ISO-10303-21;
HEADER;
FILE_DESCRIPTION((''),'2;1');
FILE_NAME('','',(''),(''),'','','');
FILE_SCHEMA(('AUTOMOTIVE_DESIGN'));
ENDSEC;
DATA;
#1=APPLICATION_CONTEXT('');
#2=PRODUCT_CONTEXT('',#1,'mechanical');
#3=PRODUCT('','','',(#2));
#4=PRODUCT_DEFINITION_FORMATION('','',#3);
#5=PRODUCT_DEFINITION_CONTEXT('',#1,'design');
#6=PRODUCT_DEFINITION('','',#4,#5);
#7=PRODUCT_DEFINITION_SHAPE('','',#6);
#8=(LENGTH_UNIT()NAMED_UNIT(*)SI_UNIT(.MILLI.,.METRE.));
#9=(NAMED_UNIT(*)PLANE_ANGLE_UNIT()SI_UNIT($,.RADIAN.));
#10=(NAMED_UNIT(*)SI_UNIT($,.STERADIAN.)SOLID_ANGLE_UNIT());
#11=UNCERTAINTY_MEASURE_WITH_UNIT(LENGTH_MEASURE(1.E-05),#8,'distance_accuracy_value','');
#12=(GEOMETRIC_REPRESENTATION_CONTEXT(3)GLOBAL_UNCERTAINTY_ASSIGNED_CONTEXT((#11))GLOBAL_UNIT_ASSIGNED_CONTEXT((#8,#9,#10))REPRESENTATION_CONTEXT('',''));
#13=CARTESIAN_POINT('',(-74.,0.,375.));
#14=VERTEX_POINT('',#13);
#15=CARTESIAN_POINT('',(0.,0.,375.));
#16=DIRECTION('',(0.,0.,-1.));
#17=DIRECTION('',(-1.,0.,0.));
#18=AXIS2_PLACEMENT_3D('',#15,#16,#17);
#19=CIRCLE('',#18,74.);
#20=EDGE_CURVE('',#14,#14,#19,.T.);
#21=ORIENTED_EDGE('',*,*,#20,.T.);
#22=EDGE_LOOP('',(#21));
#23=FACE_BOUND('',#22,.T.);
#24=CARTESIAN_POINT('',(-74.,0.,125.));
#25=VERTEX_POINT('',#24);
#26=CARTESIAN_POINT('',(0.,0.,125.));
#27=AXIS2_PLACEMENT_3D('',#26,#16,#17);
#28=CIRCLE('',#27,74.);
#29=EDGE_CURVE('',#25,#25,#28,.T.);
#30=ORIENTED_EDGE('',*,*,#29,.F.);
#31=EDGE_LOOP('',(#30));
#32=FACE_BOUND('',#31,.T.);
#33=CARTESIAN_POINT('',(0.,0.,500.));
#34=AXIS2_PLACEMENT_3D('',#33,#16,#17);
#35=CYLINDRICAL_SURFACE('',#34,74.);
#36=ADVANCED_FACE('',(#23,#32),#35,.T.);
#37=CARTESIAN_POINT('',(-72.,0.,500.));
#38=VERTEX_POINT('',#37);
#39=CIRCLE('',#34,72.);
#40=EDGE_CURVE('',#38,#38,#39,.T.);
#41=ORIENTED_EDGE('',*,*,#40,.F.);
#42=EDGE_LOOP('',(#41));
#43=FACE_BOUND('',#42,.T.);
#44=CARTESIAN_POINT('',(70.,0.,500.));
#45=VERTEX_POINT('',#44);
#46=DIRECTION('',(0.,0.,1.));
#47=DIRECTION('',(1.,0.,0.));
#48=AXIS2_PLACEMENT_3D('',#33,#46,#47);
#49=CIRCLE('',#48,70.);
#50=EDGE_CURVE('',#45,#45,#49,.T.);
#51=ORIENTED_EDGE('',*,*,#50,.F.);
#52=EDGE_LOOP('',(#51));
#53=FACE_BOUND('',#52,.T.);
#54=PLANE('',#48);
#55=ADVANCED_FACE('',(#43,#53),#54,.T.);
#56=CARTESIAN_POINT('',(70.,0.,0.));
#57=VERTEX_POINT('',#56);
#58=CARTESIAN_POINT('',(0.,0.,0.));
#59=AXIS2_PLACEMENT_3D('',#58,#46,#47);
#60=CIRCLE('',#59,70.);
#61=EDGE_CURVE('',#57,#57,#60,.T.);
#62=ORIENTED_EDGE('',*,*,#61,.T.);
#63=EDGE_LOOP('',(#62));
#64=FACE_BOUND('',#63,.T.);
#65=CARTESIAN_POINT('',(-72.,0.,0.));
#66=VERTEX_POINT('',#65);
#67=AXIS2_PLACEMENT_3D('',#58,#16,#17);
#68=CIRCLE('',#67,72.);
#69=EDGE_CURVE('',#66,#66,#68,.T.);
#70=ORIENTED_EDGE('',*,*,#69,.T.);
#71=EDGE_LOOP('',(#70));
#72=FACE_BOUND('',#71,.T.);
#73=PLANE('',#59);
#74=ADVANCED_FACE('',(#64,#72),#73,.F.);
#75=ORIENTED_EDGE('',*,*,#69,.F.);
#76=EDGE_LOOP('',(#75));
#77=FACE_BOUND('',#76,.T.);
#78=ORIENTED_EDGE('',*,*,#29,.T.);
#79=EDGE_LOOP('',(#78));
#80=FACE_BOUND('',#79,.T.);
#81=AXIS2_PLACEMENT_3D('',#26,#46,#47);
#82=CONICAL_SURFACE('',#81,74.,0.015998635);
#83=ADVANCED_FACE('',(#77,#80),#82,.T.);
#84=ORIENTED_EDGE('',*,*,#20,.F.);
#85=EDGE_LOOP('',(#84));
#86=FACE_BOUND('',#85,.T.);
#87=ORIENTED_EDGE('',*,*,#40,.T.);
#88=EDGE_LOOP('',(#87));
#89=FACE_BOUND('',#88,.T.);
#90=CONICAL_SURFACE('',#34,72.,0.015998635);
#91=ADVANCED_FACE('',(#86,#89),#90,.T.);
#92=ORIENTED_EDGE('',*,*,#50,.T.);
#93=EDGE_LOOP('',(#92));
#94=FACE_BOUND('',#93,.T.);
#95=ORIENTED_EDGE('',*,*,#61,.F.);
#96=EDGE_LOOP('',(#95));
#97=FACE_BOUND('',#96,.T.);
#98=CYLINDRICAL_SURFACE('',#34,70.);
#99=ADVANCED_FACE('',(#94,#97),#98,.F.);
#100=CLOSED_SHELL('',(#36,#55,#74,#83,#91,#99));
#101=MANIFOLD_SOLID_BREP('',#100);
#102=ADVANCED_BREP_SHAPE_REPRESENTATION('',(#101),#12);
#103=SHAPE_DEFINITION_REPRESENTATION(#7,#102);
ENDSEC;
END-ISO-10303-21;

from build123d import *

# Parameters (mm, degrees)
IZIM1_R                     = 74
IZIM1_R_2                   = 70
Y_KSEKLIK_EKSTR_ZYON1_DEPTH = 500


with BuildPart() as part:
    # Çizim1 → Yükseklik-Ekstrüzyon1 (new body)
    with BuildSketch(Plane.XY):
        Circle(IZIM1_R)
        Circle(IZIM1_R_2, mode=Mode.SUBTRACT)
    extrude(amount=Y_KSEKLIK_EKSTR_ZYON1_DEPTH)

    # Çizim2 → Kes-Döndür1 (revolve, cut)
    with BuildSketch(Plane(origin=(0, 0, 0), x_dir=(1, 0, 0), z_dir=(0, 1, 0))):
        Polygon((-74, -500), (-72, -500), (-74, -375), align=None)
        Polygon((-74, -125), (-74, 0), (-72, 0), align=None)
    revolve(axis=Axis((0, 0, 0), (0, 0, 1)), mode=Mode.SUBTRACT)


solid = part.part
